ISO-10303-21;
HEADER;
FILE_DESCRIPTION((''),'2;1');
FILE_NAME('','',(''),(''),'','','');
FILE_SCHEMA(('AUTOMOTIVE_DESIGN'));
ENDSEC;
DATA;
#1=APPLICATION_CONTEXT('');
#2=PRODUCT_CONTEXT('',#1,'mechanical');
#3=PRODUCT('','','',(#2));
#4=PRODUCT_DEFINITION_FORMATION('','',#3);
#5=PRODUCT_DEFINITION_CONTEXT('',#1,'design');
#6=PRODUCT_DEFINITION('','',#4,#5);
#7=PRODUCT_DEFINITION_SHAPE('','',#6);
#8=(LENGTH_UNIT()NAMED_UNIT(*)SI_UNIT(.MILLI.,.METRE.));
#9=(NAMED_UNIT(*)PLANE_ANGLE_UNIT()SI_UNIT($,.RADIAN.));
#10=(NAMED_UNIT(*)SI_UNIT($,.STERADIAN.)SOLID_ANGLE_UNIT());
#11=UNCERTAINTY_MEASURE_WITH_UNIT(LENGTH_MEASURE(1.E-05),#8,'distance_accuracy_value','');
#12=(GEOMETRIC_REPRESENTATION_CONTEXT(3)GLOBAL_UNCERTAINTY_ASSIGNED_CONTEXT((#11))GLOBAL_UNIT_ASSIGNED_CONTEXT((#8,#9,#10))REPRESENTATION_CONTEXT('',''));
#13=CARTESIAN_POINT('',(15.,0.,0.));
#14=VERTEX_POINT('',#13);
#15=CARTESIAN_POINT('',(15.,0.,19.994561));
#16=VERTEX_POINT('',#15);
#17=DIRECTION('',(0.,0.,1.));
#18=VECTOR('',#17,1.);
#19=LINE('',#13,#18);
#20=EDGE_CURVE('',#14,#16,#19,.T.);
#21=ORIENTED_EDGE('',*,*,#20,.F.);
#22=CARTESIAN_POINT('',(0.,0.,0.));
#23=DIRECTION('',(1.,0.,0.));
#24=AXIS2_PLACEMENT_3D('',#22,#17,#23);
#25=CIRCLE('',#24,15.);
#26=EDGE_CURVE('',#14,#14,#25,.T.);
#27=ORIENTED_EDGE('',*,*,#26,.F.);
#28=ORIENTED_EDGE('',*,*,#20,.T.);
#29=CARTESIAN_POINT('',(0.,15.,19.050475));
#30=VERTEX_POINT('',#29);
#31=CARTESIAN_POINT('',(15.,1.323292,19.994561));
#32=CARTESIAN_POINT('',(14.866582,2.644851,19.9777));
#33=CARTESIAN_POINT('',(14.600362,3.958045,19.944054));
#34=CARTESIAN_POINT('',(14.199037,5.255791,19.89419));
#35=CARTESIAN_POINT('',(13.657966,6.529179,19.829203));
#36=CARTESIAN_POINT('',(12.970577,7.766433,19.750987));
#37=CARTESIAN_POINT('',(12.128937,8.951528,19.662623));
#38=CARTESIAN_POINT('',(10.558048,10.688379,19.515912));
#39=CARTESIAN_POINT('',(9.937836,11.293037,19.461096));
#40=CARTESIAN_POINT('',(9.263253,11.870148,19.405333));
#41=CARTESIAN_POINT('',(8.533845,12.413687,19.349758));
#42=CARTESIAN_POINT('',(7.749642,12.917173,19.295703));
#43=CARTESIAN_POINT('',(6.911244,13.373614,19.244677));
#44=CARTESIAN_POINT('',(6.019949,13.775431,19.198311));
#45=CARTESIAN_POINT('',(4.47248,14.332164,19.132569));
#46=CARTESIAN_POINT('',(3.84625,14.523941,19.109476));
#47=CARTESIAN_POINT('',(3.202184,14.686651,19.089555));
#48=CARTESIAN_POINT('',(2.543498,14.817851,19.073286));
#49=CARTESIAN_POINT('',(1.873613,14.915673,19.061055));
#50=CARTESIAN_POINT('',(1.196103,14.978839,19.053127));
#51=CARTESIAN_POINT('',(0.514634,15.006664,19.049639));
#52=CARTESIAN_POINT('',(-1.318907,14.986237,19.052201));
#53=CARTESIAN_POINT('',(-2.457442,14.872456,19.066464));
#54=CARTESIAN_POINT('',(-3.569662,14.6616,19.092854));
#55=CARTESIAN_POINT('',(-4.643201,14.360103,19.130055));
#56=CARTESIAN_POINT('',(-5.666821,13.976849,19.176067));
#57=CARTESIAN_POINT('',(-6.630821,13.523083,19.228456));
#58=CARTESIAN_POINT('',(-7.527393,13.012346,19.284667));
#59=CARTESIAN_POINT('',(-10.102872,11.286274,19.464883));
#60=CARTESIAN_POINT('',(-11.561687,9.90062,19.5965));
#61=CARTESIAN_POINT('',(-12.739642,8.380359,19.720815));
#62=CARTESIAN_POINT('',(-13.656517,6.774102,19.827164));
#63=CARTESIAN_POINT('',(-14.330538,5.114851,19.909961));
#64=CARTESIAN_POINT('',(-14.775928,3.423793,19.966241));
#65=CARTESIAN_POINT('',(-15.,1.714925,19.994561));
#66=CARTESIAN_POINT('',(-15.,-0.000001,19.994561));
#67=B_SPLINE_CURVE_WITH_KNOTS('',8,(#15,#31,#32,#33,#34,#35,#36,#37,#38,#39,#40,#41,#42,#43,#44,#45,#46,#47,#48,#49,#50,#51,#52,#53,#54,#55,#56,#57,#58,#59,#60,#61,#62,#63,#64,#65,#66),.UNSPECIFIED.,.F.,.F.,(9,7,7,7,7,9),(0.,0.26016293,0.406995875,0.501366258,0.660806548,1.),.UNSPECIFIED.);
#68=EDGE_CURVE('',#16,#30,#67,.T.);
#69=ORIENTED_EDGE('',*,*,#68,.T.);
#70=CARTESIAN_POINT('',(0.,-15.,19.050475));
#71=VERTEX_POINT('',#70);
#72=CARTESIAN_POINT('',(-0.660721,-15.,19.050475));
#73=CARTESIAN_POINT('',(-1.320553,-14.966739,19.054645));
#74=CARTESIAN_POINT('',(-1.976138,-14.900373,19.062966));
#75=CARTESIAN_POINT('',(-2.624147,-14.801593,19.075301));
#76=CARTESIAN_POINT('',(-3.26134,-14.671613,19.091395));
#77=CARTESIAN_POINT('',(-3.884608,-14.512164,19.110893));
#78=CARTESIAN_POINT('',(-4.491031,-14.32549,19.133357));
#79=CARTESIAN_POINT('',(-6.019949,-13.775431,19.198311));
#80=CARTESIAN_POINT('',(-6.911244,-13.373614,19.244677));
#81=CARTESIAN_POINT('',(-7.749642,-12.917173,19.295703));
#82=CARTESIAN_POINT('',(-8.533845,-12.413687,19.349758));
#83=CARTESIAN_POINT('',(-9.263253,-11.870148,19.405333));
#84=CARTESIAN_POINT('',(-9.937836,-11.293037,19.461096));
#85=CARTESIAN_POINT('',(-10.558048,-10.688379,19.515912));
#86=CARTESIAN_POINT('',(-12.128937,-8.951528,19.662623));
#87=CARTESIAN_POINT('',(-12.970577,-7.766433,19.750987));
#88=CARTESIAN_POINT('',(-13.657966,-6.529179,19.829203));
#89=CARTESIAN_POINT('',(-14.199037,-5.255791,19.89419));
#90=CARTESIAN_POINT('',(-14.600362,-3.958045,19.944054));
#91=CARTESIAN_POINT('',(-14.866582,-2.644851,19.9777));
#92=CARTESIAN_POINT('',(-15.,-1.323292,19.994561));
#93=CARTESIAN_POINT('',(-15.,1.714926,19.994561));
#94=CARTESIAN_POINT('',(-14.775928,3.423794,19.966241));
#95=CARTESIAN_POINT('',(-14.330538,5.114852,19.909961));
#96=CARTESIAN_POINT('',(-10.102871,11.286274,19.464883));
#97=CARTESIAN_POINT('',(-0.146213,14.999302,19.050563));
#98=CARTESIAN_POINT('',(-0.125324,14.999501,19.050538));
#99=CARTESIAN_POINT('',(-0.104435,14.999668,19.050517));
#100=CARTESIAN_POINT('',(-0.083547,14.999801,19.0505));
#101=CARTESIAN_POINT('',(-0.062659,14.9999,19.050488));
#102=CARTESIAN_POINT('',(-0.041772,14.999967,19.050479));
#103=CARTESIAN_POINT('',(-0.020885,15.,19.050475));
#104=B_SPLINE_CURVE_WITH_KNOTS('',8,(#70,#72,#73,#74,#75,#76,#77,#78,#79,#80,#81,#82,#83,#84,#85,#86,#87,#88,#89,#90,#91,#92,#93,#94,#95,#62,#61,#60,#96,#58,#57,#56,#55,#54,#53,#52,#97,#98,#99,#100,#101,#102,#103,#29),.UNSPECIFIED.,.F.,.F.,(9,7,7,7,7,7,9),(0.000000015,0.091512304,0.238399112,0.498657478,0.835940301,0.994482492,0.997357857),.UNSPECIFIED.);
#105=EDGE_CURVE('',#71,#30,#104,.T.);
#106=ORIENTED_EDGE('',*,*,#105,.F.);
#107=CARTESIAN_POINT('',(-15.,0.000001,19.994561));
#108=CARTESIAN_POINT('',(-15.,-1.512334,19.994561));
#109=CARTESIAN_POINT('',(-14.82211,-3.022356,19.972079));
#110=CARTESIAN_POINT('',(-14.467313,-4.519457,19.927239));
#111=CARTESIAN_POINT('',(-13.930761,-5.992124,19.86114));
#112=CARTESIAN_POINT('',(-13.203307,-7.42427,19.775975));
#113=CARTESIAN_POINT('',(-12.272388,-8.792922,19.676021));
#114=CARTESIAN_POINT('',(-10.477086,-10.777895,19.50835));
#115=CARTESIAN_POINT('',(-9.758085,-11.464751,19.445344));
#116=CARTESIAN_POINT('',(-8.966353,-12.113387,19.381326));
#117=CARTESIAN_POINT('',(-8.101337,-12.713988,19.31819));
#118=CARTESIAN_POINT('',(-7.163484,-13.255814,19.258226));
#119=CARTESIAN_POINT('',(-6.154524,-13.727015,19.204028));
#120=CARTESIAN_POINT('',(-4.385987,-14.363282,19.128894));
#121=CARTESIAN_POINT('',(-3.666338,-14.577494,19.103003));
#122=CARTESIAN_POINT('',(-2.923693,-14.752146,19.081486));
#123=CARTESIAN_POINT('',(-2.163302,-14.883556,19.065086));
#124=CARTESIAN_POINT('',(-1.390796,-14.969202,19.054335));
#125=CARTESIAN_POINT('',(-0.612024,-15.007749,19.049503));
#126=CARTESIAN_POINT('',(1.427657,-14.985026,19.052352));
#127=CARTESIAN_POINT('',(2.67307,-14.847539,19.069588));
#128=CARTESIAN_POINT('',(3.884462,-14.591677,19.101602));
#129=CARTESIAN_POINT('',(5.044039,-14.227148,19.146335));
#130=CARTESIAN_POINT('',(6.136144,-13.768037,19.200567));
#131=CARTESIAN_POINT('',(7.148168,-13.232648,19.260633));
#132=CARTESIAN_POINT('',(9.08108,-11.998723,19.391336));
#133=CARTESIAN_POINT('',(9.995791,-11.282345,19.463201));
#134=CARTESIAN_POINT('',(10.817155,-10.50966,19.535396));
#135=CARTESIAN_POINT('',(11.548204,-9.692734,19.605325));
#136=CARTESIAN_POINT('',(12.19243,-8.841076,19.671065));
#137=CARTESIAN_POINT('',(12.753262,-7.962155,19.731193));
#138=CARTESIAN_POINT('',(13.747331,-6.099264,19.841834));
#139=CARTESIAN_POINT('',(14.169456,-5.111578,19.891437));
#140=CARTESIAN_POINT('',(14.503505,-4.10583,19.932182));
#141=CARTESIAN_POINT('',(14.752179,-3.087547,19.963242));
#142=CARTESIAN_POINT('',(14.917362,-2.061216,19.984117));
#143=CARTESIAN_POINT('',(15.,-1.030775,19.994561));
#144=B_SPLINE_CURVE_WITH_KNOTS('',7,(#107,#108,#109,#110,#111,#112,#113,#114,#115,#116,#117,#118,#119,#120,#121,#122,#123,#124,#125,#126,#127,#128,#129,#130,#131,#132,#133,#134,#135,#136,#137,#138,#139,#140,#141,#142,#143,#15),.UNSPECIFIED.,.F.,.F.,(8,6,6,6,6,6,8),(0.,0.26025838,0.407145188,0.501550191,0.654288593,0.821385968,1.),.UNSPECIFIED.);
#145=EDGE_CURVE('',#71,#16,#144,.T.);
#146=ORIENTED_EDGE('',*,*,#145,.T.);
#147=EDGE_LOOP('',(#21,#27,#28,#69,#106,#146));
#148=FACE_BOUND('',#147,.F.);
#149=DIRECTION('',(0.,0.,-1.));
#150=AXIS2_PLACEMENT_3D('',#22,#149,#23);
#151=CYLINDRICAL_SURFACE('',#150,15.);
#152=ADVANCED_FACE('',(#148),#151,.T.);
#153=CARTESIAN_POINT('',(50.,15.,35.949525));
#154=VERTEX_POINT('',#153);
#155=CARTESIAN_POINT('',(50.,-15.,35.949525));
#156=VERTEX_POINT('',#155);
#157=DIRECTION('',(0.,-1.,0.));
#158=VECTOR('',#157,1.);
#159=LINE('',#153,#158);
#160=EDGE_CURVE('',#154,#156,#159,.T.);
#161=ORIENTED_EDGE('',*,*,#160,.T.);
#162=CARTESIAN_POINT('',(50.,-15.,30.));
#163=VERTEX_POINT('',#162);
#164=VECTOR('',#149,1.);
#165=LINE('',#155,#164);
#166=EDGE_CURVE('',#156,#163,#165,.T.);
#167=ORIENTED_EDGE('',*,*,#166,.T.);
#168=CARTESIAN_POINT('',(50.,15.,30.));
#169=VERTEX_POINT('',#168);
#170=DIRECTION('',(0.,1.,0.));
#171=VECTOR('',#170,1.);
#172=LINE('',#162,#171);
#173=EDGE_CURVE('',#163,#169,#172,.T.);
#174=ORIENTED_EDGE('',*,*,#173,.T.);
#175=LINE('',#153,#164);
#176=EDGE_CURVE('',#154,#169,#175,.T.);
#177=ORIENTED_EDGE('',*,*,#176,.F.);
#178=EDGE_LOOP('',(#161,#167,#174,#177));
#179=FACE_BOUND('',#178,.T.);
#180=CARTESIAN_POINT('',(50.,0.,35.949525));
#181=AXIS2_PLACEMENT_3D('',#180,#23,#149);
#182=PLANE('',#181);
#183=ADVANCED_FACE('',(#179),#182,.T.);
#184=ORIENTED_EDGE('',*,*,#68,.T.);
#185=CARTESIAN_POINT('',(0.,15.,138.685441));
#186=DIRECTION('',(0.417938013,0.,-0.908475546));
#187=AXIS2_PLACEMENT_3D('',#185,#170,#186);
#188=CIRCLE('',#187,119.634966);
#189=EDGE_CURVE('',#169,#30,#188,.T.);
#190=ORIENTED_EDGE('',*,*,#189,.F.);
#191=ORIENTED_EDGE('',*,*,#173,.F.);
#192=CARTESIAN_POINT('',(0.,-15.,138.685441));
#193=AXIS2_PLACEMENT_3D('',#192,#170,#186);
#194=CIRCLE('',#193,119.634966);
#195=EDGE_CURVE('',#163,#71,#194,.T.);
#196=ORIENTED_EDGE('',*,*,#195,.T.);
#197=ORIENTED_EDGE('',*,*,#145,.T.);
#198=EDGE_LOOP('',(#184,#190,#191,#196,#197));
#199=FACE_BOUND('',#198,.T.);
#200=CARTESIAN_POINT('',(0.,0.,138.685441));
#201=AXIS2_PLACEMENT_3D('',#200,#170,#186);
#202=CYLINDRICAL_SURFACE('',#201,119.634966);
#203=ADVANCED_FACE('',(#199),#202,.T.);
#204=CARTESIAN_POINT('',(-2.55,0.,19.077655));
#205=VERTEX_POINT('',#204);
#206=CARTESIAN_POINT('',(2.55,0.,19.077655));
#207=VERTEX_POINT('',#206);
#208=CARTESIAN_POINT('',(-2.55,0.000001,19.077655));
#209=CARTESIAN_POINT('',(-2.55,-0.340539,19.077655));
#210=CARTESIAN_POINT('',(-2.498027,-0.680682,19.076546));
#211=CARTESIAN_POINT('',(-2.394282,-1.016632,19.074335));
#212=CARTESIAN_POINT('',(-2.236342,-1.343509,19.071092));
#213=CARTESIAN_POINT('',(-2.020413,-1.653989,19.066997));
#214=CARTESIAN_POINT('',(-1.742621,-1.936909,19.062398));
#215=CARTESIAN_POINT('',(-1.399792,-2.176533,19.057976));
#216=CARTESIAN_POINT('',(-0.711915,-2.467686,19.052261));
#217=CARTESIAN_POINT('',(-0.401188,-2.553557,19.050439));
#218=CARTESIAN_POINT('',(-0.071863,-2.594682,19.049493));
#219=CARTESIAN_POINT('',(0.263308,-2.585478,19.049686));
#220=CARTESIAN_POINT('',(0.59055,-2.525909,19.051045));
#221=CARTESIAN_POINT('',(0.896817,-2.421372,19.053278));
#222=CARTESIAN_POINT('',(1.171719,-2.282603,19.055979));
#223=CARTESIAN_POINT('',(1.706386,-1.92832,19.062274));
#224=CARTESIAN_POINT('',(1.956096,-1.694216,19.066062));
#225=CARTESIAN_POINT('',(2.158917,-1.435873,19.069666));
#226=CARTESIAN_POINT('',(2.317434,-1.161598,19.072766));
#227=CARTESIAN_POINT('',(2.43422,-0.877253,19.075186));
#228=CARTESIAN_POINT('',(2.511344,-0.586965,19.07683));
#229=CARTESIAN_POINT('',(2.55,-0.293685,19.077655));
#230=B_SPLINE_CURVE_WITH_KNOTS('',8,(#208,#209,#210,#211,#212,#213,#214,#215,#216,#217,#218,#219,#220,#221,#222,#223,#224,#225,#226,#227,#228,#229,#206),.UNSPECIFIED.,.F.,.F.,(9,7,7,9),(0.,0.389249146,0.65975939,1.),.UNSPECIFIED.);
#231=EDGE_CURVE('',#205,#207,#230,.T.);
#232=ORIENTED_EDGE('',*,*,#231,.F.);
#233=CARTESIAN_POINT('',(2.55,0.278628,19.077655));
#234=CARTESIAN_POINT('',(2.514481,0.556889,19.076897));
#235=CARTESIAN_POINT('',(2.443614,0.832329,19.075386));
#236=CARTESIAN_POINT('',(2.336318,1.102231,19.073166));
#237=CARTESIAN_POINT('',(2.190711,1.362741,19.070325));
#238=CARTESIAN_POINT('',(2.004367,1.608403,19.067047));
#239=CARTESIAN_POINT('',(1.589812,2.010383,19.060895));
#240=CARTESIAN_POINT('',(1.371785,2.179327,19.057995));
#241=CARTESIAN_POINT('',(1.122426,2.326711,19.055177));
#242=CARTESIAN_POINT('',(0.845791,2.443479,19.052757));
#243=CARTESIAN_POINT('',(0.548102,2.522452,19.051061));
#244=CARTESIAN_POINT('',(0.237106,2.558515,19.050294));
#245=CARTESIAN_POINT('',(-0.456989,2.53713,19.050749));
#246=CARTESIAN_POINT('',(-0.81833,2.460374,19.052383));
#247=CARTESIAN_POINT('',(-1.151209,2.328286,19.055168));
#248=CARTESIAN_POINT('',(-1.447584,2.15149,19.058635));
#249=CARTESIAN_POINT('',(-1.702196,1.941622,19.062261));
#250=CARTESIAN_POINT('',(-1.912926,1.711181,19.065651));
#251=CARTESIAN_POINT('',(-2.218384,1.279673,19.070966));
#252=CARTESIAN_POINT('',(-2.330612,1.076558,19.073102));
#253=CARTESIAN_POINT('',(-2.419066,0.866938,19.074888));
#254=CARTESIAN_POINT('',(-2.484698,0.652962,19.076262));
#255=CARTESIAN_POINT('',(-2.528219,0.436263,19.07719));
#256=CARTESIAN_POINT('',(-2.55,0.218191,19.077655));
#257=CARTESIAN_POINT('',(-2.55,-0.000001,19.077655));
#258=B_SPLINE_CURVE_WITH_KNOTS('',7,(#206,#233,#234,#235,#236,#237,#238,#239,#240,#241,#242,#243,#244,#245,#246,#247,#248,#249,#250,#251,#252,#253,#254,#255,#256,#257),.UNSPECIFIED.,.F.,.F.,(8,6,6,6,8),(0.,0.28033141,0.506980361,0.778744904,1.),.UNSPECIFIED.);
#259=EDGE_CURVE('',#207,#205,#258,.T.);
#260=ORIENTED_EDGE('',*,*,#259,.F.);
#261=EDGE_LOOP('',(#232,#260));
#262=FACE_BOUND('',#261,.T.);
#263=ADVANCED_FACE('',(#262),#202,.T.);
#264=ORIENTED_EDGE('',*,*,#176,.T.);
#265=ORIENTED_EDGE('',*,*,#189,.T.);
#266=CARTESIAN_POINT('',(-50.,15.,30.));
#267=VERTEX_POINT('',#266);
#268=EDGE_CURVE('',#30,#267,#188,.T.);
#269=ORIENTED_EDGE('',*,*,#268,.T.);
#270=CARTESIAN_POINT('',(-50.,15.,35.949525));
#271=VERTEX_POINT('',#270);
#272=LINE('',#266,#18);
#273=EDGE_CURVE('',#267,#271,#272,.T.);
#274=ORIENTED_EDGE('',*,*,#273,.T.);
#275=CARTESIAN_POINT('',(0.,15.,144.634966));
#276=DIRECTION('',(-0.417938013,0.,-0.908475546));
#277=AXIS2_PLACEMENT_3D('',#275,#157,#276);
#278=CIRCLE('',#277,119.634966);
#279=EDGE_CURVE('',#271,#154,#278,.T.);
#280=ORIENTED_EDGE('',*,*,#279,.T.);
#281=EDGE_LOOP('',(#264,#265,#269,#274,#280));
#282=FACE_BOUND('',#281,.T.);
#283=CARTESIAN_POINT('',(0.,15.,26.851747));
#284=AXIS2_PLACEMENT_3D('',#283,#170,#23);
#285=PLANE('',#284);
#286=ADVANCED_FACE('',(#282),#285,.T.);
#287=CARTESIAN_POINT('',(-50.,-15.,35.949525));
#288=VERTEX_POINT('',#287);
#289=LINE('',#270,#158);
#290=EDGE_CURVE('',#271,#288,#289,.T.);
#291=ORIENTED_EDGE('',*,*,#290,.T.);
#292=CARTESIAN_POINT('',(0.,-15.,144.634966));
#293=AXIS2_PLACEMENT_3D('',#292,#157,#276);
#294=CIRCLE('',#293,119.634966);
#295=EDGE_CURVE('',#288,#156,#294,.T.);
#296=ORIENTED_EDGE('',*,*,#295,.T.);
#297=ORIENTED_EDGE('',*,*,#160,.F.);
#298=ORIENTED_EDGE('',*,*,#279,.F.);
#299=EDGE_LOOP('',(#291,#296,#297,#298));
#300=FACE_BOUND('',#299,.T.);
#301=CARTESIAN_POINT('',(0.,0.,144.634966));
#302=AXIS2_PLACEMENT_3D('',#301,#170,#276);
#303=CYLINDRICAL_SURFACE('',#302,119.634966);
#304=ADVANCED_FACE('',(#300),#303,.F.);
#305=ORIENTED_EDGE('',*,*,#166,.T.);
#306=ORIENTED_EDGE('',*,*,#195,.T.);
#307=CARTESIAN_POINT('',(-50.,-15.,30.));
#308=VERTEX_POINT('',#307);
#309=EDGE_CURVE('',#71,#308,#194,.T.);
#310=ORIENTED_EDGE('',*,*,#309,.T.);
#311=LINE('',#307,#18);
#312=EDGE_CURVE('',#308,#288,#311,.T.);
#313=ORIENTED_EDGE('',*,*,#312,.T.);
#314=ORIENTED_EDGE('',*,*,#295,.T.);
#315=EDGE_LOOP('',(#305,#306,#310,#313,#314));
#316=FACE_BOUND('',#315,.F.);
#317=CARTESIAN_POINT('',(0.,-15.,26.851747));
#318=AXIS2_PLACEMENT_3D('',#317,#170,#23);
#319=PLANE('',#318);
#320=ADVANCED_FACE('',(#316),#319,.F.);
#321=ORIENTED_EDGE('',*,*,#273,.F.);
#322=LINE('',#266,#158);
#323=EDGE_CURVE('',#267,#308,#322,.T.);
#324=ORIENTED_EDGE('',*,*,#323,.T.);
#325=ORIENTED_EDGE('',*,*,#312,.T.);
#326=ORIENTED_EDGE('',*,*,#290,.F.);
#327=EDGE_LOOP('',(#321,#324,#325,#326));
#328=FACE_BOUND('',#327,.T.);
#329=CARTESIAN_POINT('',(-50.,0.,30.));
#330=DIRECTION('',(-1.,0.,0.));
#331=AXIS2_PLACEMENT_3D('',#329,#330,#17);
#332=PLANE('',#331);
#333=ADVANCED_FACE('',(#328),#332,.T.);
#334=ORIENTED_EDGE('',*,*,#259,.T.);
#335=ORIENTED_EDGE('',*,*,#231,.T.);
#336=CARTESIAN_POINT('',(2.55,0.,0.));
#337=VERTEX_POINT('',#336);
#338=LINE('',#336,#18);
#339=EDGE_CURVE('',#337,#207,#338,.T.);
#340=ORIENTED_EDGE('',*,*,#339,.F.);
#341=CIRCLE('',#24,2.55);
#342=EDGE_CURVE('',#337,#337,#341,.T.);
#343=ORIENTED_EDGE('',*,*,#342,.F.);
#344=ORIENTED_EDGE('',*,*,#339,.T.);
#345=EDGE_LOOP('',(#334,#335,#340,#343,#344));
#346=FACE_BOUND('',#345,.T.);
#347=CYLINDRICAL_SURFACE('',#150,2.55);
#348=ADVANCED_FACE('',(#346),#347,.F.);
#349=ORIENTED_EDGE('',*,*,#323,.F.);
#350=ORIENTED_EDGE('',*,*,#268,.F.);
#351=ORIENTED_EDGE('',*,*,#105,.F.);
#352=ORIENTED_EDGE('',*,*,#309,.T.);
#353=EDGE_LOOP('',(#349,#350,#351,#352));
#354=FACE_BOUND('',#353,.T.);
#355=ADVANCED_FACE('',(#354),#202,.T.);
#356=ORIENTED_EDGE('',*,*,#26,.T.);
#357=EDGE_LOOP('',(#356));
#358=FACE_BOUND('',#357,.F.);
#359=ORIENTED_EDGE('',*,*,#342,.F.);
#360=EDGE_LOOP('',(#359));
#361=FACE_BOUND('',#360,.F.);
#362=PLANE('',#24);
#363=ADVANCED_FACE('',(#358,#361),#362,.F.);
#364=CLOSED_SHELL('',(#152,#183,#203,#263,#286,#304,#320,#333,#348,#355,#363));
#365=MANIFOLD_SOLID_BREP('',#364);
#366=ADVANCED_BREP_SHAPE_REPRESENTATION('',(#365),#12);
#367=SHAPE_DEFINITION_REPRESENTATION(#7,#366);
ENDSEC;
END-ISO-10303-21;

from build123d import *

# Parameters (mm, degrees)
SKETCH1_R                = 15
SKETCH1_R_2              = 2.55
BOSS_EXTRUDE1_DEPTH      = 20
BOSS_EXTRUDE2_DEPTH      = 15
BOSS_EXTRUDE2_DEPTH_BACK = 15


with BuildPart() as part:
    # Sketch1 → Boss-Extrude1 (new body)
    with BuildSketch(Plane.XY):
        Circle(SKETCH1_R)
        Circle(SKETCH1_R_2, mode=Mode.SUBTRACT)
    extrude(amount=BOSS_EXTRUDE1_DEPTH)

    # Sketch2 → Boss-Extrude2 (add, two sides)
    with BuildSketch(Plane(origin=(0, 0, 0), x_dir=(1, 0, 0), z_dir=(0, 1, 0))) as boss_extrude2_sk:
        with BuildLine():
            Line((50, -35.949524979), (50, -30))
            ThreePointArc((50, -30), (0, -19.050475021), (-50, -30))
            Line((-50, -30), (-50, -35.949524979))
            ThreePointArc((-50, -35.949524979), (0, -25), (50, -35.949524979))
        make_face()
    extrude(amount=BOSS_EXTRUDE2_DEPTH)
    extrude(boss_extrude2_sk.sketch, amount=-BOSS_EXTRUDE2_DEPTH_BACK)


solid = part.part
